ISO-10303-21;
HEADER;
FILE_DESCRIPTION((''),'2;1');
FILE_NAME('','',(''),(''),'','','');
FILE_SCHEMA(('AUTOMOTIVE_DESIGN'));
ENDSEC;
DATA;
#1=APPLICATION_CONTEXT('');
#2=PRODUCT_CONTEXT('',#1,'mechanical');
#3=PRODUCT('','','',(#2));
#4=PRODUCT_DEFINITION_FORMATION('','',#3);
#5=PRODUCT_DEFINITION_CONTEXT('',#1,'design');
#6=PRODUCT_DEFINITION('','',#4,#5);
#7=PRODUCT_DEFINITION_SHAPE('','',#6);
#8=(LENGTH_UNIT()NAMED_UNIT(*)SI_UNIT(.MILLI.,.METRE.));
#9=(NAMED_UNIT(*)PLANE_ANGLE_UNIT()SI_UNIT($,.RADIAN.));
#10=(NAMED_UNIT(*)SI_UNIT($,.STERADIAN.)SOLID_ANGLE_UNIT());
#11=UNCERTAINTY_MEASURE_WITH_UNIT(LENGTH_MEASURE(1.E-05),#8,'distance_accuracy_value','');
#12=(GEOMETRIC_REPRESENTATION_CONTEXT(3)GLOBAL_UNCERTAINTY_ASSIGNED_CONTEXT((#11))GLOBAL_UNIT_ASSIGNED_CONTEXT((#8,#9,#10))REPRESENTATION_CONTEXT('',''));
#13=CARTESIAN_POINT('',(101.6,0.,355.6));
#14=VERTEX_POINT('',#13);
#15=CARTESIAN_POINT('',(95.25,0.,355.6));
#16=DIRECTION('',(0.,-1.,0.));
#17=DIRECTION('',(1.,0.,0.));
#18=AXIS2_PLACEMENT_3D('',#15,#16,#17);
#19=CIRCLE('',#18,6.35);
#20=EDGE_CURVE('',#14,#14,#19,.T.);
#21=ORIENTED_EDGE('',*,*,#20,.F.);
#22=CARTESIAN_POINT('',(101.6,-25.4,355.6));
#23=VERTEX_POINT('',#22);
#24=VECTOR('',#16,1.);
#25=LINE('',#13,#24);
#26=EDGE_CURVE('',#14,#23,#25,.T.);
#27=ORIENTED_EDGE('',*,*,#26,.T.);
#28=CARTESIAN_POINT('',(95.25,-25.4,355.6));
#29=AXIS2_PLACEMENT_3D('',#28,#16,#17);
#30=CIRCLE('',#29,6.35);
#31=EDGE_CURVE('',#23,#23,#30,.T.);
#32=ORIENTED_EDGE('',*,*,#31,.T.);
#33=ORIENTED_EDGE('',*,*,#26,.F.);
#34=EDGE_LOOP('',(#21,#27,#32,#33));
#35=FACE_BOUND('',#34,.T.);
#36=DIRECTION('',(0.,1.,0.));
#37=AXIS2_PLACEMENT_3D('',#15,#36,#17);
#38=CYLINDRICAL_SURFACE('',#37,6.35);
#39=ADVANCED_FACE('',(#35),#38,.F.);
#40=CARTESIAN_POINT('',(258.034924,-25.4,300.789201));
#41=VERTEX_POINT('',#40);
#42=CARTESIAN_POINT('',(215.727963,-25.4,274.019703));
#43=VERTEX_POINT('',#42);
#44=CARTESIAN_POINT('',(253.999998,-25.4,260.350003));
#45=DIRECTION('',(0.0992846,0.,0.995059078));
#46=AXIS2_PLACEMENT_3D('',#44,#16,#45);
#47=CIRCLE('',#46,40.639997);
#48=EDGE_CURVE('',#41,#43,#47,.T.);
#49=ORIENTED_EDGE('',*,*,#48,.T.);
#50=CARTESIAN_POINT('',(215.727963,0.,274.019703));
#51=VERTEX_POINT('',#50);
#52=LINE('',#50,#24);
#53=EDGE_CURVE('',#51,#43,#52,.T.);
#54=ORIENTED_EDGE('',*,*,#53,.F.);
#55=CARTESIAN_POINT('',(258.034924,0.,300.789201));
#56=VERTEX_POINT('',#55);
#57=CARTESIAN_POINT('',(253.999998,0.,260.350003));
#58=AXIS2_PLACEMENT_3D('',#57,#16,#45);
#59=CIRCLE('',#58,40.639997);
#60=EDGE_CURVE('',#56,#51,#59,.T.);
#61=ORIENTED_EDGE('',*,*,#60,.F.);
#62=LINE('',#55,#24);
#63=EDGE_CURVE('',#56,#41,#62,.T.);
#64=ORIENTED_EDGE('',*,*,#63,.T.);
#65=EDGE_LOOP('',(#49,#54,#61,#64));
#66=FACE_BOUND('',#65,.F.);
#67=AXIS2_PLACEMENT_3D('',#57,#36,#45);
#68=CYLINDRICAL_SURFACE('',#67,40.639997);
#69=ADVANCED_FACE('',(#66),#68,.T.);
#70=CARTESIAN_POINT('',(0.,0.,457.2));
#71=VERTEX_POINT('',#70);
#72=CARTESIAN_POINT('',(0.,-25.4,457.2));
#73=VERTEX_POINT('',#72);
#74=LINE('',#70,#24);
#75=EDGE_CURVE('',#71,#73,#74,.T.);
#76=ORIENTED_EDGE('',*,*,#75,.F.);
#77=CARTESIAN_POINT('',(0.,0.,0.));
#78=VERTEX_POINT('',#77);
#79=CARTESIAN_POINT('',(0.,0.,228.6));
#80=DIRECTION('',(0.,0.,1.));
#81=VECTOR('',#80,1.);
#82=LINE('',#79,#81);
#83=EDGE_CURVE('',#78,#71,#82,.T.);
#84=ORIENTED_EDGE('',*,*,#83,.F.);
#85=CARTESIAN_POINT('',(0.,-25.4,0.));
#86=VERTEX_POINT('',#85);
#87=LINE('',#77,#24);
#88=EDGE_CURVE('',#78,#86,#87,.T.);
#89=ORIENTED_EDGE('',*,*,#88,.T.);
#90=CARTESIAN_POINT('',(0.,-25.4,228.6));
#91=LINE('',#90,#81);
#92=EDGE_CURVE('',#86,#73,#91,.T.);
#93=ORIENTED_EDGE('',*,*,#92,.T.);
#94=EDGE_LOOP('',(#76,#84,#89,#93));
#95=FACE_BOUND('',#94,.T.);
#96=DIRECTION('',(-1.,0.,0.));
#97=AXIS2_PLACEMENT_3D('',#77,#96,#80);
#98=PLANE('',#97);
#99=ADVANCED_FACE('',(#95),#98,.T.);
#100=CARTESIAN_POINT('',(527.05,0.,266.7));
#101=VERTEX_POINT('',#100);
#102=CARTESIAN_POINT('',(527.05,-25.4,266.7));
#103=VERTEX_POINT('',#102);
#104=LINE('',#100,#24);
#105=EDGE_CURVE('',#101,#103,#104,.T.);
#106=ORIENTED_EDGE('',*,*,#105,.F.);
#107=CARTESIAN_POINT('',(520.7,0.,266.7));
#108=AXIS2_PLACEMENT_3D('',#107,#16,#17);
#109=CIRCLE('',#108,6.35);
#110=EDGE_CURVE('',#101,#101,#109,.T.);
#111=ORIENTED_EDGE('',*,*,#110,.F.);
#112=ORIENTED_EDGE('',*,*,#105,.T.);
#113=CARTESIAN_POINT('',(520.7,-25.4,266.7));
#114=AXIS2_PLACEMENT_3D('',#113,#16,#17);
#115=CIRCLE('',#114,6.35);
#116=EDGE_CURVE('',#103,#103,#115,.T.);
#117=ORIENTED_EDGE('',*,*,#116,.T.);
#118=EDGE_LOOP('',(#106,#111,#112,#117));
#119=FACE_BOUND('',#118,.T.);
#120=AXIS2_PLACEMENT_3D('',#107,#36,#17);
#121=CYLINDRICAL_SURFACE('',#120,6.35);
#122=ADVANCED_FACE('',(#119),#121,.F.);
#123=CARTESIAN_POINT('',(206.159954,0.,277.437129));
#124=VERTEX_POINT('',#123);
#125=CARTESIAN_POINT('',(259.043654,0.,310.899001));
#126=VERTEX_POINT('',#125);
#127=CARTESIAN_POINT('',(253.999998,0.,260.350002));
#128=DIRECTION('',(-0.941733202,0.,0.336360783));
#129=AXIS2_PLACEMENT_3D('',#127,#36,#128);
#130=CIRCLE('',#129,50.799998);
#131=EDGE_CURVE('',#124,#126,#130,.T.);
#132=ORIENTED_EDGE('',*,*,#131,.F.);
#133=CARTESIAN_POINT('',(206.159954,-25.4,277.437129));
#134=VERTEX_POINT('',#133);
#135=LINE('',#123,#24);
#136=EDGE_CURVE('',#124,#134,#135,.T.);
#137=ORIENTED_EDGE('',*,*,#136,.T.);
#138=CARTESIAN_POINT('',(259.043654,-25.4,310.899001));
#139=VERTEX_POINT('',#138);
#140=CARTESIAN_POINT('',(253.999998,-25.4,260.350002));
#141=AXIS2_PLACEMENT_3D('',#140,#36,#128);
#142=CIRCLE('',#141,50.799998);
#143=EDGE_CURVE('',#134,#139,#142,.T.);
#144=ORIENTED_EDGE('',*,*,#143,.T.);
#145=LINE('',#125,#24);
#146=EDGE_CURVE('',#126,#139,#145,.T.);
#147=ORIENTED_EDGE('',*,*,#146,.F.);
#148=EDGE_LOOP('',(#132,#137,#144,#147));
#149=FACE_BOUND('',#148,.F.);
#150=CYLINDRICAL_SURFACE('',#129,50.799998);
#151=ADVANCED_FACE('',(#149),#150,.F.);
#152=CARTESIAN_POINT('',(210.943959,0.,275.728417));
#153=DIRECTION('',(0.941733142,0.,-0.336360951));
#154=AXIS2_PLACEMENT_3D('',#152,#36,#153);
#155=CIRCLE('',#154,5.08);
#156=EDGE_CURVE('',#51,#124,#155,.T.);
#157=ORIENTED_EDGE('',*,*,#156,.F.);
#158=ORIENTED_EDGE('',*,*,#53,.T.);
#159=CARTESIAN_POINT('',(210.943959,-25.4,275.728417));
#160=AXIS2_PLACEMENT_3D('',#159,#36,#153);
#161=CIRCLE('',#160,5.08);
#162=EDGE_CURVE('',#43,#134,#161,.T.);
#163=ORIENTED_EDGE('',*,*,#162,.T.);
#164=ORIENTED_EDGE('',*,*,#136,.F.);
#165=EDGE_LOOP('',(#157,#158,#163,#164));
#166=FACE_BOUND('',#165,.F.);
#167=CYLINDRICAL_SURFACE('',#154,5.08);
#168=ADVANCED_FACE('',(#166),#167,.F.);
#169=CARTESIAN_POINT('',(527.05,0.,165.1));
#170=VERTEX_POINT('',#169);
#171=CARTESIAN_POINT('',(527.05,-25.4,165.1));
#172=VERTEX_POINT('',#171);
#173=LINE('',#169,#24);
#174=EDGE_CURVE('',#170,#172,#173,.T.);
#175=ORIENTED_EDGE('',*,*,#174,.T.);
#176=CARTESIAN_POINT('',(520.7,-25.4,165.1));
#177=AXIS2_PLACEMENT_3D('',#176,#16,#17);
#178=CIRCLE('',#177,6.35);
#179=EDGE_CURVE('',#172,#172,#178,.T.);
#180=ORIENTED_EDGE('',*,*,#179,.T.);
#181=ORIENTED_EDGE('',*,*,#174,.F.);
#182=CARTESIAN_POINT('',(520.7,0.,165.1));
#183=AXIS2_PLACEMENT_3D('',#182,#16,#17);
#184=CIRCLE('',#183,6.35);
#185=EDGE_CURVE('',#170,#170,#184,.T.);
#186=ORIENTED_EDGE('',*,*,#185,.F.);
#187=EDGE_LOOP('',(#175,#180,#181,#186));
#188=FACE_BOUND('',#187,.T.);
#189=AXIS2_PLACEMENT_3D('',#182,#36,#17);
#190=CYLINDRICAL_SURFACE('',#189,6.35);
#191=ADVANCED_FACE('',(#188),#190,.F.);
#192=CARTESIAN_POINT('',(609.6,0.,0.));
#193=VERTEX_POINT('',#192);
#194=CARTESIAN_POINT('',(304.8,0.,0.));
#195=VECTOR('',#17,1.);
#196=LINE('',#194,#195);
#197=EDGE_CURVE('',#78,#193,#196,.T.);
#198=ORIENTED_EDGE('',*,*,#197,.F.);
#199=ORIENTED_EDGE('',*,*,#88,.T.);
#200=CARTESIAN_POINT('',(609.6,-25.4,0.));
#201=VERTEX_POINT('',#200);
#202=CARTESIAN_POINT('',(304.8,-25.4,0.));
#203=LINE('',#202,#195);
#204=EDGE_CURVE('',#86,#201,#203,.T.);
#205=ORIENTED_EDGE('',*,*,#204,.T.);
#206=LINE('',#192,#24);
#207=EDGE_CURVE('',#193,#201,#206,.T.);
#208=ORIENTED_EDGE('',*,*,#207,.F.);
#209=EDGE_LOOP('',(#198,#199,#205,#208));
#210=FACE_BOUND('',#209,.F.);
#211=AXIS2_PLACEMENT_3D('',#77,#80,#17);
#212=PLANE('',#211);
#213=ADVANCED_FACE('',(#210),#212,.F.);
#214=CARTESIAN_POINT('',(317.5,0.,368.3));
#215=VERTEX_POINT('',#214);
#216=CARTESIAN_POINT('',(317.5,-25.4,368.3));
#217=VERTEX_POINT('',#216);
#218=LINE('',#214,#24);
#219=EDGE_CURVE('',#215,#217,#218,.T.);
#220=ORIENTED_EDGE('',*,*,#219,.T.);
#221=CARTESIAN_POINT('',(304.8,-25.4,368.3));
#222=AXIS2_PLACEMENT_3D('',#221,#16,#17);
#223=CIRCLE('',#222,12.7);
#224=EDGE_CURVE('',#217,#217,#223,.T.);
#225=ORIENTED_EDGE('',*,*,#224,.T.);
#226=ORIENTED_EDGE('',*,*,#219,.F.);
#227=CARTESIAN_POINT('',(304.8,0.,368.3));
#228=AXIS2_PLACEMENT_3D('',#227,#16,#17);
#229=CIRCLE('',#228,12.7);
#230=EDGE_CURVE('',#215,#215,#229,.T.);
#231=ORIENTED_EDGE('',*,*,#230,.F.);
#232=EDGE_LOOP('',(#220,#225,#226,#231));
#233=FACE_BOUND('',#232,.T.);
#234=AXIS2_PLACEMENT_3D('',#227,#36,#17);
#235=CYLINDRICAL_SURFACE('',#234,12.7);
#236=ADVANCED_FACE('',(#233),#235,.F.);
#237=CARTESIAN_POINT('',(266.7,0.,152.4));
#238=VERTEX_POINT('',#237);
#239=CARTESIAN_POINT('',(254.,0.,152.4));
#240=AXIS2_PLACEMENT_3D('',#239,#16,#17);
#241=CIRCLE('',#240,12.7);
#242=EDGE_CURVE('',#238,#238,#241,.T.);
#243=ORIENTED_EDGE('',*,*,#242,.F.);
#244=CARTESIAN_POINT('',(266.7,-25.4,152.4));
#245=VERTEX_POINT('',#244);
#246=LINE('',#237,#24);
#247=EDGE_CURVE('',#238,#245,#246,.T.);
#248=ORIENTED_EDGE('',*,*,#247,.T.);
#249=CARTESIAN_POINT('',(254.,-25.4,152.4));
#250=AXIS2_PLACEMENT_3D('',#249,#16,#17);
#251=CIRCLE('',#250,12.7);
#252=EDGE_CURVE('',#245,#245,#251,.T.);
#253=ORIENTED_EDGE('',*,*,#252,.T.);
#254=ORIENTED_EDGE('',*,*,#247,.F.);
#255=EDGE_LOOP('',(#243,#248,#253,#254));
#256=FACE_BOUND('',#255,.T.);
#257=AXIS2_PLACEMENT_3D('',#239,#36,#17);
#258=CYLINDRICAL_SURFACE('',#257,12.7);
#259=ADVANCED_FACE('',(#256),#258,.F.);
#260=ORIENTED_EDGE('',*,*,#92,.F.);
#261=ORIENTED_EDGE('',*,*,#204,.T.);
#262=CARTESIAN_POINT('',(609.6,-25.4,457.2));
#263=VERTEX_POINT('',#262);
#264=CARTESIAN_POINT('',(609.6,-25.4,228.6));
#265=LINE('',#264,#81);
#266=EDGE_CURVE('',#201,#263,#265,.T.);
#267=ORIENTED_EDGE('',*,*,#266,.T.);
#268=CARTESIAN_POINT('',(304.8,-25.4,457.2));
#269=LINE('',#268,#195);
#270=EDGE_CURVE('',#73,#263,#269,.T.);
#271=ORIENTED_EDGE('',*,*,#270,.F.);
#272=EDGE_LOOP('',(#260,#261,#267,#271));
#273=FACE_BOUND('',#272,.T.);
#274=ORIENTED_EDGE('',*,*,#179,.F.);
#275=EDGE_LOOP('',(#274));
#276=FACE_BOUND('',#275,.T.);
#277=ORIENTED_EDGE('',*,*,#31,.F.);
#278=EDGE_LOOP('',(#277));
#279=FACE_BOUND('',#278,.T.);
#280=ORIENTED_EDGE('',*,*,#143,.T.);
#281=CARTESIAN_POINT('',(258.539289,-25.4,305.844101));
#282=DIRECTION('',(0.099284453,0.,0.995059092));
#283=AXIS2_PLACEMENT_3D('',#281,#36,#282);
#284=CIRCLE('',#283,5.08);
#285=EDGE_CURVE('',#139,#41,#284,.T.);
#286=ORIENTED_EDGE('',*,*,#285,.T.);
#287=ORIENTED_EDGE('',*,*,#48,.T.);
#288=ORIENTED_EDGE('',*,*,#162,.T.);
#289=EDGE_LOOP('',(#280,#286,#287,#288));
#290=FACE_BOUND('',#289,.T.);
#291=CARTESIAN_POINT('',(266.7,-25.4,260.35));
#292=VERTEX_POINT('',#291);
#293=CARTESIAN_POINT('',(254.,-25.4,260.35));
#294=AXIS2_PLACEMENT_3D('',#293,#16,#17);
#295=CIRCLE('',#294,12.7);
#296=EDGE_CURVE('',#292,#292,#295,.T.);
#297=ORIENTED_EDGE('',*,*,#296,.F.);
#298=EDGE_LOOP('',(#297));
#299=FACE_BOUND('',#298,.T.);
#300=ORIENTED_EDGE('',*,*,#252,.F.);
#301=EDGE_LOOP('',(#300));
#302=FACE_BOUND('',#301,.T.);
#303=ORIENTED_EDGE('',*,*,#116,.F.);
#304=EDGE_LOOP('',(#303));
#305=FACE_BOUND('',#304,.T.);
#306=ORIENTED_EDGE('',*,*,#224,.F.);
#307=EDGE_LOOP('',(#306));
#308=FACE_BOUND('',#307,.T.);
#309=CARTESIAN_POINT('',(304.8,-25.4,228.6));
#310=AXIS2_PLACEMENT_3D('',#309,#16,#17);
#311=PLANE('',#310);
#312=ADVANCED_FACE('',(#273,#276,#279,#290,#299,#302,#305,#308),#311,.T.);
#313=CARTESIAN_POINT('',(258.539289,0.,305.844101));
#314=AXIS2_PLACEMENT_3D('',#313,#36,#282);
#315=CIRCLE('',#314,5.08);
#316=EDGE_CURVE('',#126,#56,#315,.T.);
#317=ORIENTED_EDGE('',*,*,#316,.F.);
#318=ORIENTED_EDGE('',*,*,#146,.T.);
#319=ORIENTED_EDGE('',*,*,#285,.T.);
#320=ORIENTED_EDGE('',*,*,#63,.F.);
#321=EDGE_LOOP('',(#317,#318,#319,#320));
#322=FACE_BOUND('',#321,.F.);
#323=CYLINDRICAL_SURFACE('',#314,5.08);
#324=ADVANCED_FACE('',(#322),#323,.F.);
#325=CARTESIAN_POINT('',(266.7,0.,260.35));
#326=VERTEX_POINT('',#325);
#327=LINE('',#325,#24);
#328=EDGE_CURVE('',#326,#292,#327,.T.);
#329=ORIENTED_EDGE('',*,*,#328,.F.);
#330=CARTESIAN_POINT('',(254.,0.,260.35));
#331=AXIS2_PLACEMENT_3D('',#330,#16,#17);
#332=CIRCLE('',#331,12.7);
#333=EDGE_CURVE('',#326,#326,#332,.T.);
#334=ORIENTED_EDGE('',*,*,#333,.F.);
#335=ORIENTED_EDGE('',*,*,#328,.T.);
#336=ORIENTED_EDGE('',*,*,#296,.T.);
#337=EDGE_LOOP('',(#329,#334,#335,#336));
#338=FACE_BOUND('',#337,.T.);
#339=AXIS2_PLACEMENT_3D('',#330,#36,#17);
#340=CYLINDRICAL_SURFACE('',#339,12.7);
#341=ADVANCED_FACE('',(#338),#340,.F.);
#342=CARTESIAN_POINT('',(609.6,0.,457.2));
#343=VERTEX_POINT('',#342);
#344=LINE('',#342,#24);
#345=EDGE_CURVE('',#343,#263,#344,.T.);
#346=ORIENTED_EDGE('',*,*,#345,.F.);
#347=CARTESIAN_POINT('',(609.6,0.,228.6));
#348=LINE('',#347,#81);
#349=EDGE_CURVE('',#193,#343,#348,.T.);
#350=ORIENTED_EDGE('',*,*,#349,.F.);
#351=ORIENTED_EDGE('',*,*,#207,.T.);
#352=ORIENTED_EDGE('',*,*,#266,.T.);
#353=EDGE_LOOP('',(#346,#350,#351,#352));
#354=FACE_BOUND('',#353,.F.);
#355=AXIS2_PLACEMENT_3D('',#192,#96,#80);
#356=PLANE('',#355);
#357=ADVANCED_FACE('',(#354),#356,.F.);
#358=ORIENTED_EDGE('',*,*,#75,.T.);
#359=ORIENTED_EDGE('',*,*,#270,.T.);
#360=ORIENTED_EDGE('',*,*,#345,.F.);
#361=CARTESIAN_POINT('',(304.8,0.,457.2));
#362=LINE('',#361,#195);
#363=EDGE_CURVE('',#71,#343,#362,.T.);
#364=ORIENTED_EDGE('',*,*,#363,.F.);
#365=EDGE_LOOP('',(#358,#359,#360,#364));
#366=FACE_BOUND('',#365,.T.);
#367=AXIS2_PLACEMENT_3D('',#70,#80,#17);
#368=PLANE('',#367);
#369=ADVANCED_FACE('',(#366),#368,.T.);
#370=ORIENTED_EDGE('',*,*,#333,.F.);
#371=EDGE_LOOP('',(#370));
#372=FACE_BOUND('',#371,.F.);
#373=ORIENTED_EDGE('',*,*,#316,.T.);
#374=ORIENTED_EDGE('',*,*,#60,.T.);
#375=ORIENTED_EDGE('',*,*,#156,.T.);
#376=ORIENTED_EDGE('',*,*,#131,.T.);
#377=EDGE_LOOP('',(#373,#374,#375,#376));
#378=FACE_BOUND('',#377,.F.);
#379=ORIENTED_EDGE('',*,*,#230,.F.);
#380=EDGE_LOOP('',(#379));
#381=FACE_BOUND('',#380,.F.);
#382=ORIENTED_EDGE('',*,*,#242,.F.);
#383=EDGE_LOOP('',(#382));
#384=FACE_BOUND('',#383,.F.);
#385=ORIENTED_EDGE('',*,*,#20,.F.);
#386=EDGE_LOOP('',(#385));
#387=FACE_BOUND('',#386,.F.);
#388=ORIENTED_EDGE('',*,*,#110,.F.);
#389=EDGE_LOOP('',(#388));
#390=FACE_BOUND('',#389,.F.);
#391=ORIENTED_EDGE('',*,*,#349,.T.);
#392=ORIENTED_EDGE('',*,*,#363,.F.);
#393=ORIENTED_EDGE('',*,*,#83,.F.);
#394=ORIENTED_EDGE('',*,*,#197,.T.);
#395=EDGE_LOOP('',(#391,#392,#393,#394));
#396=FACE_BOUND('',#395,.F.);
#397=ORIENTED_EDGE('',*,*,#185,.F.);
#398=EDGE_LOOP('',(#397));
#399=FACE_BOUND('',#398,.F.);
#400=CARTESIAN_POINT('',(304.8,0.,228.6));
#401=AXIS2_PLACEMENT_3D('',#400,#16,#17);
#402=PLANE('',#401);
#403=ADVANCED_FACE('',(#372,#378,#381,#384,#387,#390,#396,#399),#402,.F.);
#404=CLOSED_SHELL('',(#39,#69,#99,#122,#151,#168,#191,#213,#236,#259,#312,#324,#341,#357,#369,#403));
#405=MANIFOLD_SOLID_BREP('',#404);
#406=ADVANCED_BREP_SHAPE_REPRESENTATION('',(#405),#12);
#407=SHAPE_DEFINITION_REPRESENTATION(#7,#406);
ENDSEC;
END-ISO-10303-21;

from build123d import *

# Parameters (mm, degrees)
F0_W     = 609.6
F0_H     = 457.2
F0_R     = 12.7
F0_R_2   = 6.35
F1_DEPTH = 25.4


with BuildPart() as f1:
    # F0 (on Front) → F1 (new body)
    with BuildSketch(Plane.XZ):
        with Locations((304.8, 228.6)):
            Rectangle(F0_W, F0_H)
        with Locations((254, 152.4)):
            Circle(F0_R, mode=Mode.SUBTRACT)
        with Locations((520.7, 165.1)):
            Circle(F0_R_2, mode=Mode.SUBTRACT)
        with Locations((254, 260.35)):
            Circle(F0_R, mode=Mode.SUBTRACT)
        with BuildLine():
            ThreePointArc((206.159954, 277.437129), (226.837397, 303.278231), (259.043654, 310.899001))
            ThreePointArc((259.043654, 310.899001), (263.594189, 305.339736), (258.034924, 300.789201))
            ThreePointArc((258.034924, 300.789201), (232.269917, 294.692585), (215.727963, 274.019703))
            ThreePointArc((215.727963, 274.019703), (209.235246, 270.944412), (206.159954, 277.437129))
        make_face(mode=Mode.SUBTRACT)
        with Locations((95.25, 355.6)):
            Circle(F0_R_2, mode=Mode.SUBTRACT)
        with Locations((520.7, 266.7)):
            Circle(F0_R_2, mode=Mode.SUBTRACT)
        with Locations((304.8, 368.3)):
            Circle(F0_R, mode=Mode.SUBTRACT)
    extrude(amount=F1_DEPTH)


solid = f1.part
